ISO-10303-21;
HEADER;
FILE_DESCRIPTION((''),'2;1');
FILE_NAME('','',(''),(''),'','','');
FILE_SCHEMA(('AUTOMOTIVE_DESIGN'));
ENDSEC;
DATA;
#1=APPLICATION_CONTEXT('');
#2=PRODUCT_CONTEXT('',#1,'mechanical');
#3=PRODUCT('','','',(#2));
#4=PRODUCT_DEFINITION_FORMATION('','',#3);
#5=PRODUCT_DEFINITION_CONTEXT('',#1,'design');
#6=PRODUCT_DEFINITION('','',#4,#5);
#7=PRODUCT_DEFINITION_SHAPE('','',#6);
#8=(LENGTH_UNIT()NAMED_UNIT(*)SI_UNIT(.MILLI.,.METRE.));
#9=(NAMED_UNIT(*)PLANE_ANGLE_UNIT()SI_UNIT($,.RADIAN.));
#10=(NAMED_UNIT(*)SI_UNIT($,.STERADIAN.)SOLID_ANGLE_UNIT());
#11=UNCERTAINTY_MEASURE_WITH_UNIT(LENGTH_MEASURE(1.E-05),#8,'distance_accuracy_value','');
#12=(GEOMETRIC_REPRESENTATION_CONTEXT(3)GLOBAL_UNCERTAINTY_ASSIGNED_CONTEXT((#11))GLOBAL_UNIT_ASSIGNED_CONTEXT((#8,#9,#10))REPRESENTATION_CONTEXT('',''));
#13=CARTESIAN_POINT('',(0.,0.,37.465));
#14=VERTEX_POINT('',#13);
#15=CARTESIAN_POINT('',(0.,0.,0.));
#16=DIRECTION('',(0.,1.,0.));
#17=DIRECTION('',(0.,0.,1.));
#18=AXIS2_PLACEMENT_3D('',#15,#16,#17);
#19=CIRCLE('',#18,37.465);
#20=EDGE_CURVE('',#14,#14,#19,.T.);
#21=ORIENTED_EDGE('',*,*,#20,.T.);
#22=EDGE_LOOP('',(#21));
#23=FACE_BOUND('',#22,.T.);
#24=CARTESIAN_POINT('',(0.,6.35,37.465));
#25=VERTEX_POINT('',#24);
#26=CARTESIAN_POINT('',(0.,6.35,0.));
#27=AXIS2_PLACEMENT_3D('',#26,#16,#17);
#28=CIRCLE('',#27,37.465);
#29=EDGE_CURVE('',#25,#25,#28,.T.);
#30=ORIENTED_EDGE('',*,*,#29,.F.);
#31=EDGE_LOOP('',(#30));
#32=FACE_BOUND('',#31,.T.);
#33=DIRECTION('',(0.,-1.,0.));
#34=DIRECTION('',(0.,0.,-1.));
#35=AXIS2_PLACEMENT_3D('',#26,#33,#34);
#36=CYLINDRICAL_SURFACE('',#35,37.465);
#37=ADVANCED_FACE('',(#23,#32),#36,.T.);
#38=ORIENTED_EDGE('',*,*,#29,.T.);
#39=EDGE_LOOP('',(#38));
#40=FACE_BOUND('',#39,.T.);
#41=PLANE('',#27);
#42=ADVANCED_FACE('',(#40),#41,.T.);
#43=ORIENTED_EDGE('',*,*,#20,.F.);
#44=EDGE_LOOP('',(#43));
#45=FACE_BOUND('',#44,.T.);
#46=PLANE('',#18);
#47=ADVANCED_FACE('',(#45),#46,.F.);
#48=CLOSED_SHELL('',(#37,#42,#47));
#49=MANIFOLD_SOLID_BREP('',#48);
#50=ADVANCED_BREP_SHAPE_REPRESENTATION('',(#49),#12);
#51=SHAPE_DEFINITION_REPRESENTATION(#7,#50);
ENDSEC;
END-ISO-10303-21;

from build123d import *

# Parameters (mm, degrees)
SKETCH1_R           = 37.465
BOSS_EXTRUDE1_DEPTH = 6.35


with BuildPart() as part:
    # Sketch1 → Boss-Extrude1 (new body)
    with BuildSketch(Plane(origin=(0, 0, 0), x_dir=(1, 0, 0), z_dir=(0, 1, 0))):
        with Locations(Location((0, 0, 0), (0, 0, 270))):
            Circle(SKETCH1_R)
    extrude(amount=BOSS_EXTRUDE1_DEPTH)


solid = part.part
